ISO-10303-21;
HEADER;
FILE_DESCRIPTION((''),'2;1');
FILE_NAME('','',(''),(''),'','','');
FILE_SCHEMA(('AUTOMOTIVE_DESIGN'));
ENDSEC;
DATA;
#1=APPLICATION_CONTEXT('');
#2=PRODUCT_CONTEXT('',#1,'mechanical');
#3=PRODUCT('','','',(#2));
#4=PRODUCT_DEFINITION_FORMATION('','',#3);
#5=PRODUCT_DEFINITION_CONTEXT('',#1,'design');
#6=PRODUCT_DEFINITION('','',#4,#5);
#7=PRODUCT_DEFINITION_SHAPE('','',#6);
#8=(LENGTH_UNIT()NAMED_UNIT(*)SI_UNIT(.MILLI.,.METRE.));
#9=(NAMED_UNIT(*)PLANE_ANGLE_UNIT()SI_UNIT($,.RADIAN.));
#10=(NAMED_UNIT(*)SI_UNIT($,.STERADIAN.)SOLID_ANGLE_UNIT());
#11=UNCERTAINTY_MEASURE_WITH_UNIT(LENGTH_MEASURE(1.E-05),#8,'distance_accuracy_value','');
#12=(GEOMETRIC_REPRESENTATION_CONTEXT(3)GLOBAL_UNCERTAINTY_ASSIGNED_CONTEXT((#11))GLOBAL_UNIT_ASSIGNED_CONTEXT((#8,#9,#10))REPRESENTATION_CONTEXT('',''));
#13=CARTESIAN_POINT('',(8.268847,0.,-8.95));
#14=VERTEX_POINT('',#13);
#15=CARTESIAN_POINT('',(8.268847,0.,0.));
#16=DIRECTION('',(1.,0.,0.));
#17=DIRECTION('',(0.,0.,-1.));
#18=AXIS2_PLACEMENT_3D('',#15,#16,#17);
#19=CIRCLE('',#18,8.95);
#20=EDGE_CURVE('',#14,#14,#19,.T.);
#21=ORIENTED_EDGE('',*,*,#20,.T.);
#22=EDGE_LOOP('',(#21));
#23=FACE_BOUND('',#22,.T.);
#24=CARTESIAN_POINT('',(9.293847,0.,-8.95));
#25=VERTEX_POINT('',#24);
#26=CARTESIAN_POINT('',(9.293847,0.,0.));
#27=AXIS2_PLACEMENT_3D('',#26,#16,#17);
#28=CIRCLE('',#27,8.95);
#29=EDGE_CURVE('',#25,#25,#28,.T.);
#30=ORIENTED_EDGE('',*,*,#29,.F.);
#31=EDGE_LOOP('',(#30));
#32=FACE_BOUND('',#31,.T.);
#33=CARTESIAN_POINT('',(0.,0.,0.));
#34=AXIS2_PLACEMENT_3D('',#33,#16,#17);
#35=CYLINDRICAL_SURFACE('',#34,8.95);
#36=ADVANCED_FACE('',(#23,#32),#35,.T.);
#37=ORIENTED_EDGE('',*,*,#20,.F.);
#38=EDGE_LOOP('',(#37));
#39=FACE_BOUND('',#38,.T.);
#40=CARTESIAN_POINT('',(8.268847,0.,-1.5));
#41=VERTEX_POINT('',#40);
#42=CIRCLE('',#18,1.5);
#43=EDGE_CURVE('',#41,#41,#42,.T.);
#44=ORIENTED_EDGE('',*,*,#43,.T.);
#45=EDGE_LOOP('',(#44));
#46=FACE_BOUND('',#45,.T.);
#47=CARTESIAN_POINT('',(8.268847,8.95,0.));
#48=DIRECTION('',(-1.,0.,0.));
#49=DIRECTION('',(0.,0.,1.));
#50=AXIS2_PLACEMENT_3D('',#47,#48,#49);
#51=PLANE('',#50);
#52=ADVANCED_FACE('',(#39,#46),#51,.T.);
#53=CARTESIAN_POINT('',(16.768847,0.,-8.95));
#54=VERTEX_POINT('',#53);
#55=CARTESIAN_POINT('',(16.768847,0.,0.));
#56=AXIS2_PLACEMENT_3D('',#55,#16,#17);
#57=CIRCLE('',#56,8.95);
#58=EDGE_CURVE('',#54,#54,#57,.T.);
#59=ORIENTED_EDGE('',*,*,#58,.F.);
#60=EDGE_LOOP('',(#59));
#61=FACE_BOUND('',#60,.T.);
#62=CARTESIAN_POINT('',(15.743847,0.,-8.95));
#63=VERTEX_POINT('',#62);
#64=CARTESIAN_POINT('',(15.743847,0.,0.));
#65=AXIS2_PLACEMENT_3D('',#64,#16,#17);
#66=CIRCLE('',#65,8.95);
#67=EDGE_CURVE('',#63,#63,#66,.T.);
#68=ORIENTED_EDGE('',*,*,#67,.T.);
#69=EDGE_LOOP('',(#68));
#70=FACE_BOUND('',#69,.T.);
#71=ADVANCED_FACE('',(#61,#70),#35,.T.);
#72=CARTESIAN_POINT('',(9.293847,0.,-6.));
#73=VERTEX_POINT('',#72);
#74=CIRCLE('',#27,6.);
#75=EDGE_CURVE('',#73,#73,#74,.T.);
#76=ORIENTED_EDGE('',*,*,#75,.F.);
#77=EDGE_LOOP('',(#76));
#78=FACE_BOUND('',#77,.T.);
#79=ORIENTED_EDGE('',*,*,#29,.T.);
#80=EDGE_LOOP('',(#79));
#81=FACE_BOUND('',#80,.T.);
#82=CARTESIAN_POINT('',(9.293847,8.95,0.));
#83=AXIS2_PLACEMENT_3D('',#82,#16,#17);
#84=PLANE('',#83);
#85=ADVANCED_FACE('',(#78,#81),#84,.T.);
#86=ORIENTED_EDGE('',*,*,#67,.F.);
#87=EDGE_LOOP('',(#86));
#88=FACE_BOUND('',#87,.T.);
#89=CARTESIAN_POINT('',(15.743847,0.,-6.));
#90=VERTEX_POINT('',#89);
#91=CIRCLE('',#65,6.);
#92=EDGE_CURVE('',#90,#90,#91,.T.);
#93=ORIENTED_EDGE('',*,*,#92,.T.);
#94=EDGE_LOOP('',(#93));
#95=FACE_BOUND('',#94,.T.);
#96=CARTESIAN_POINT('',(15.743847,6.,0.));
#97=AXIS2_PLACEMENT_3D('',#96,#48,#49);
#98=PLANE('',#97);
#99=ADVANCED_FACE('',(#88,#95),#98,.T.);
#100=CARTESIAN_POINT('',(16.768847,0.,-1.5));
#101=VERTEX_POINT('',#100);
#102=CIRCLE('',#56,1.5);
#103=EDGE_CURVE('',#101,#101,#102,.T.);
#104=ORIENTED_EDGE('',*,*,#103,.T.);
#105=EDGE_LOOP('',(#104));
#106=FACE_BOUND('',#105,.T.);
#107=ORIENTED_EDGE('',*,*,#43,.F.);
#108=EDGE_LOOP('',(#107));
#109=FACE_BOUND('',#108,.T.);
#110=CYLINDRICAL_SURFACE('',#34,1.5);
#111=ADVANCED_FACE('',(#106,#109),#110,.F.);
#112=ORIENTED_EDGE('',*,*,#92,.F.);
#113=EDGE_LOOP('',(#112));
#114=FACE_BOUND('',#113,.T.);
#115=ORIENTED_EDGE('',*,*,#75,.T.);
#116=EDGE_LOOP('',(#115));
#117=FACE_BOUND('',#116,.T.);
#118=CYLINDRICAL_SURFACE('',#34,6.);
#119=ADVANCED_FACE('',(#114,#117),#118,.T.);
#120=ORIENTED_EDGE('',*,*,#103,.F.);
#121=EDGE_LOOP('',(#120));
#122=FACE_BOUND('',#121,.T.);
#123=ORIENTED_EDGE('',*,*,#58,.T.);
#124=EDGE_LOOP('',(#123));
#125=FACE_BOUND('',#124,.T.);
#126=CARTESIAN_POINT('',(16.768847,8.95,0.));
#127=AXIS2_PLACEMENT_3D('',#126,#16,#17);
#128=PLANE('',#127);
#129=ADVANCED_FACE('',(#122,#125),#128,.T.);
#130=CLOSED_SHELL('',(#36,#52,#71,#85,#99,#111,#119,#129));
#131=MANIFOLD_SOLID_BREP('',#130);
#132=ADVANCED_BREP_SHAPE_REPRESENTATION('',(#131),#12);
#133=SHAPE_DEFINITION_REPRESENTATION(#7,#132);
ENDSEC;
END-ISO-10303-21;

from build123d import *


with BuildPart() as part:
    # Sketch1 → Revolve1 (revolve)
    with BuildSketch(Plane.XY):
        Polygon((8.268847172, 8.95), (8.268847172, 1.5), (16.768847172, 1.5), (16.768847172, 8.95), (15.743847172, 8.95), (15.743847172, 6), (9.293847172, 6), (9.293847172, 8.95), align=None)
    revolve(axis=Axis((0, 0, 0), (-1, 0, 0)))


solid = part.part
